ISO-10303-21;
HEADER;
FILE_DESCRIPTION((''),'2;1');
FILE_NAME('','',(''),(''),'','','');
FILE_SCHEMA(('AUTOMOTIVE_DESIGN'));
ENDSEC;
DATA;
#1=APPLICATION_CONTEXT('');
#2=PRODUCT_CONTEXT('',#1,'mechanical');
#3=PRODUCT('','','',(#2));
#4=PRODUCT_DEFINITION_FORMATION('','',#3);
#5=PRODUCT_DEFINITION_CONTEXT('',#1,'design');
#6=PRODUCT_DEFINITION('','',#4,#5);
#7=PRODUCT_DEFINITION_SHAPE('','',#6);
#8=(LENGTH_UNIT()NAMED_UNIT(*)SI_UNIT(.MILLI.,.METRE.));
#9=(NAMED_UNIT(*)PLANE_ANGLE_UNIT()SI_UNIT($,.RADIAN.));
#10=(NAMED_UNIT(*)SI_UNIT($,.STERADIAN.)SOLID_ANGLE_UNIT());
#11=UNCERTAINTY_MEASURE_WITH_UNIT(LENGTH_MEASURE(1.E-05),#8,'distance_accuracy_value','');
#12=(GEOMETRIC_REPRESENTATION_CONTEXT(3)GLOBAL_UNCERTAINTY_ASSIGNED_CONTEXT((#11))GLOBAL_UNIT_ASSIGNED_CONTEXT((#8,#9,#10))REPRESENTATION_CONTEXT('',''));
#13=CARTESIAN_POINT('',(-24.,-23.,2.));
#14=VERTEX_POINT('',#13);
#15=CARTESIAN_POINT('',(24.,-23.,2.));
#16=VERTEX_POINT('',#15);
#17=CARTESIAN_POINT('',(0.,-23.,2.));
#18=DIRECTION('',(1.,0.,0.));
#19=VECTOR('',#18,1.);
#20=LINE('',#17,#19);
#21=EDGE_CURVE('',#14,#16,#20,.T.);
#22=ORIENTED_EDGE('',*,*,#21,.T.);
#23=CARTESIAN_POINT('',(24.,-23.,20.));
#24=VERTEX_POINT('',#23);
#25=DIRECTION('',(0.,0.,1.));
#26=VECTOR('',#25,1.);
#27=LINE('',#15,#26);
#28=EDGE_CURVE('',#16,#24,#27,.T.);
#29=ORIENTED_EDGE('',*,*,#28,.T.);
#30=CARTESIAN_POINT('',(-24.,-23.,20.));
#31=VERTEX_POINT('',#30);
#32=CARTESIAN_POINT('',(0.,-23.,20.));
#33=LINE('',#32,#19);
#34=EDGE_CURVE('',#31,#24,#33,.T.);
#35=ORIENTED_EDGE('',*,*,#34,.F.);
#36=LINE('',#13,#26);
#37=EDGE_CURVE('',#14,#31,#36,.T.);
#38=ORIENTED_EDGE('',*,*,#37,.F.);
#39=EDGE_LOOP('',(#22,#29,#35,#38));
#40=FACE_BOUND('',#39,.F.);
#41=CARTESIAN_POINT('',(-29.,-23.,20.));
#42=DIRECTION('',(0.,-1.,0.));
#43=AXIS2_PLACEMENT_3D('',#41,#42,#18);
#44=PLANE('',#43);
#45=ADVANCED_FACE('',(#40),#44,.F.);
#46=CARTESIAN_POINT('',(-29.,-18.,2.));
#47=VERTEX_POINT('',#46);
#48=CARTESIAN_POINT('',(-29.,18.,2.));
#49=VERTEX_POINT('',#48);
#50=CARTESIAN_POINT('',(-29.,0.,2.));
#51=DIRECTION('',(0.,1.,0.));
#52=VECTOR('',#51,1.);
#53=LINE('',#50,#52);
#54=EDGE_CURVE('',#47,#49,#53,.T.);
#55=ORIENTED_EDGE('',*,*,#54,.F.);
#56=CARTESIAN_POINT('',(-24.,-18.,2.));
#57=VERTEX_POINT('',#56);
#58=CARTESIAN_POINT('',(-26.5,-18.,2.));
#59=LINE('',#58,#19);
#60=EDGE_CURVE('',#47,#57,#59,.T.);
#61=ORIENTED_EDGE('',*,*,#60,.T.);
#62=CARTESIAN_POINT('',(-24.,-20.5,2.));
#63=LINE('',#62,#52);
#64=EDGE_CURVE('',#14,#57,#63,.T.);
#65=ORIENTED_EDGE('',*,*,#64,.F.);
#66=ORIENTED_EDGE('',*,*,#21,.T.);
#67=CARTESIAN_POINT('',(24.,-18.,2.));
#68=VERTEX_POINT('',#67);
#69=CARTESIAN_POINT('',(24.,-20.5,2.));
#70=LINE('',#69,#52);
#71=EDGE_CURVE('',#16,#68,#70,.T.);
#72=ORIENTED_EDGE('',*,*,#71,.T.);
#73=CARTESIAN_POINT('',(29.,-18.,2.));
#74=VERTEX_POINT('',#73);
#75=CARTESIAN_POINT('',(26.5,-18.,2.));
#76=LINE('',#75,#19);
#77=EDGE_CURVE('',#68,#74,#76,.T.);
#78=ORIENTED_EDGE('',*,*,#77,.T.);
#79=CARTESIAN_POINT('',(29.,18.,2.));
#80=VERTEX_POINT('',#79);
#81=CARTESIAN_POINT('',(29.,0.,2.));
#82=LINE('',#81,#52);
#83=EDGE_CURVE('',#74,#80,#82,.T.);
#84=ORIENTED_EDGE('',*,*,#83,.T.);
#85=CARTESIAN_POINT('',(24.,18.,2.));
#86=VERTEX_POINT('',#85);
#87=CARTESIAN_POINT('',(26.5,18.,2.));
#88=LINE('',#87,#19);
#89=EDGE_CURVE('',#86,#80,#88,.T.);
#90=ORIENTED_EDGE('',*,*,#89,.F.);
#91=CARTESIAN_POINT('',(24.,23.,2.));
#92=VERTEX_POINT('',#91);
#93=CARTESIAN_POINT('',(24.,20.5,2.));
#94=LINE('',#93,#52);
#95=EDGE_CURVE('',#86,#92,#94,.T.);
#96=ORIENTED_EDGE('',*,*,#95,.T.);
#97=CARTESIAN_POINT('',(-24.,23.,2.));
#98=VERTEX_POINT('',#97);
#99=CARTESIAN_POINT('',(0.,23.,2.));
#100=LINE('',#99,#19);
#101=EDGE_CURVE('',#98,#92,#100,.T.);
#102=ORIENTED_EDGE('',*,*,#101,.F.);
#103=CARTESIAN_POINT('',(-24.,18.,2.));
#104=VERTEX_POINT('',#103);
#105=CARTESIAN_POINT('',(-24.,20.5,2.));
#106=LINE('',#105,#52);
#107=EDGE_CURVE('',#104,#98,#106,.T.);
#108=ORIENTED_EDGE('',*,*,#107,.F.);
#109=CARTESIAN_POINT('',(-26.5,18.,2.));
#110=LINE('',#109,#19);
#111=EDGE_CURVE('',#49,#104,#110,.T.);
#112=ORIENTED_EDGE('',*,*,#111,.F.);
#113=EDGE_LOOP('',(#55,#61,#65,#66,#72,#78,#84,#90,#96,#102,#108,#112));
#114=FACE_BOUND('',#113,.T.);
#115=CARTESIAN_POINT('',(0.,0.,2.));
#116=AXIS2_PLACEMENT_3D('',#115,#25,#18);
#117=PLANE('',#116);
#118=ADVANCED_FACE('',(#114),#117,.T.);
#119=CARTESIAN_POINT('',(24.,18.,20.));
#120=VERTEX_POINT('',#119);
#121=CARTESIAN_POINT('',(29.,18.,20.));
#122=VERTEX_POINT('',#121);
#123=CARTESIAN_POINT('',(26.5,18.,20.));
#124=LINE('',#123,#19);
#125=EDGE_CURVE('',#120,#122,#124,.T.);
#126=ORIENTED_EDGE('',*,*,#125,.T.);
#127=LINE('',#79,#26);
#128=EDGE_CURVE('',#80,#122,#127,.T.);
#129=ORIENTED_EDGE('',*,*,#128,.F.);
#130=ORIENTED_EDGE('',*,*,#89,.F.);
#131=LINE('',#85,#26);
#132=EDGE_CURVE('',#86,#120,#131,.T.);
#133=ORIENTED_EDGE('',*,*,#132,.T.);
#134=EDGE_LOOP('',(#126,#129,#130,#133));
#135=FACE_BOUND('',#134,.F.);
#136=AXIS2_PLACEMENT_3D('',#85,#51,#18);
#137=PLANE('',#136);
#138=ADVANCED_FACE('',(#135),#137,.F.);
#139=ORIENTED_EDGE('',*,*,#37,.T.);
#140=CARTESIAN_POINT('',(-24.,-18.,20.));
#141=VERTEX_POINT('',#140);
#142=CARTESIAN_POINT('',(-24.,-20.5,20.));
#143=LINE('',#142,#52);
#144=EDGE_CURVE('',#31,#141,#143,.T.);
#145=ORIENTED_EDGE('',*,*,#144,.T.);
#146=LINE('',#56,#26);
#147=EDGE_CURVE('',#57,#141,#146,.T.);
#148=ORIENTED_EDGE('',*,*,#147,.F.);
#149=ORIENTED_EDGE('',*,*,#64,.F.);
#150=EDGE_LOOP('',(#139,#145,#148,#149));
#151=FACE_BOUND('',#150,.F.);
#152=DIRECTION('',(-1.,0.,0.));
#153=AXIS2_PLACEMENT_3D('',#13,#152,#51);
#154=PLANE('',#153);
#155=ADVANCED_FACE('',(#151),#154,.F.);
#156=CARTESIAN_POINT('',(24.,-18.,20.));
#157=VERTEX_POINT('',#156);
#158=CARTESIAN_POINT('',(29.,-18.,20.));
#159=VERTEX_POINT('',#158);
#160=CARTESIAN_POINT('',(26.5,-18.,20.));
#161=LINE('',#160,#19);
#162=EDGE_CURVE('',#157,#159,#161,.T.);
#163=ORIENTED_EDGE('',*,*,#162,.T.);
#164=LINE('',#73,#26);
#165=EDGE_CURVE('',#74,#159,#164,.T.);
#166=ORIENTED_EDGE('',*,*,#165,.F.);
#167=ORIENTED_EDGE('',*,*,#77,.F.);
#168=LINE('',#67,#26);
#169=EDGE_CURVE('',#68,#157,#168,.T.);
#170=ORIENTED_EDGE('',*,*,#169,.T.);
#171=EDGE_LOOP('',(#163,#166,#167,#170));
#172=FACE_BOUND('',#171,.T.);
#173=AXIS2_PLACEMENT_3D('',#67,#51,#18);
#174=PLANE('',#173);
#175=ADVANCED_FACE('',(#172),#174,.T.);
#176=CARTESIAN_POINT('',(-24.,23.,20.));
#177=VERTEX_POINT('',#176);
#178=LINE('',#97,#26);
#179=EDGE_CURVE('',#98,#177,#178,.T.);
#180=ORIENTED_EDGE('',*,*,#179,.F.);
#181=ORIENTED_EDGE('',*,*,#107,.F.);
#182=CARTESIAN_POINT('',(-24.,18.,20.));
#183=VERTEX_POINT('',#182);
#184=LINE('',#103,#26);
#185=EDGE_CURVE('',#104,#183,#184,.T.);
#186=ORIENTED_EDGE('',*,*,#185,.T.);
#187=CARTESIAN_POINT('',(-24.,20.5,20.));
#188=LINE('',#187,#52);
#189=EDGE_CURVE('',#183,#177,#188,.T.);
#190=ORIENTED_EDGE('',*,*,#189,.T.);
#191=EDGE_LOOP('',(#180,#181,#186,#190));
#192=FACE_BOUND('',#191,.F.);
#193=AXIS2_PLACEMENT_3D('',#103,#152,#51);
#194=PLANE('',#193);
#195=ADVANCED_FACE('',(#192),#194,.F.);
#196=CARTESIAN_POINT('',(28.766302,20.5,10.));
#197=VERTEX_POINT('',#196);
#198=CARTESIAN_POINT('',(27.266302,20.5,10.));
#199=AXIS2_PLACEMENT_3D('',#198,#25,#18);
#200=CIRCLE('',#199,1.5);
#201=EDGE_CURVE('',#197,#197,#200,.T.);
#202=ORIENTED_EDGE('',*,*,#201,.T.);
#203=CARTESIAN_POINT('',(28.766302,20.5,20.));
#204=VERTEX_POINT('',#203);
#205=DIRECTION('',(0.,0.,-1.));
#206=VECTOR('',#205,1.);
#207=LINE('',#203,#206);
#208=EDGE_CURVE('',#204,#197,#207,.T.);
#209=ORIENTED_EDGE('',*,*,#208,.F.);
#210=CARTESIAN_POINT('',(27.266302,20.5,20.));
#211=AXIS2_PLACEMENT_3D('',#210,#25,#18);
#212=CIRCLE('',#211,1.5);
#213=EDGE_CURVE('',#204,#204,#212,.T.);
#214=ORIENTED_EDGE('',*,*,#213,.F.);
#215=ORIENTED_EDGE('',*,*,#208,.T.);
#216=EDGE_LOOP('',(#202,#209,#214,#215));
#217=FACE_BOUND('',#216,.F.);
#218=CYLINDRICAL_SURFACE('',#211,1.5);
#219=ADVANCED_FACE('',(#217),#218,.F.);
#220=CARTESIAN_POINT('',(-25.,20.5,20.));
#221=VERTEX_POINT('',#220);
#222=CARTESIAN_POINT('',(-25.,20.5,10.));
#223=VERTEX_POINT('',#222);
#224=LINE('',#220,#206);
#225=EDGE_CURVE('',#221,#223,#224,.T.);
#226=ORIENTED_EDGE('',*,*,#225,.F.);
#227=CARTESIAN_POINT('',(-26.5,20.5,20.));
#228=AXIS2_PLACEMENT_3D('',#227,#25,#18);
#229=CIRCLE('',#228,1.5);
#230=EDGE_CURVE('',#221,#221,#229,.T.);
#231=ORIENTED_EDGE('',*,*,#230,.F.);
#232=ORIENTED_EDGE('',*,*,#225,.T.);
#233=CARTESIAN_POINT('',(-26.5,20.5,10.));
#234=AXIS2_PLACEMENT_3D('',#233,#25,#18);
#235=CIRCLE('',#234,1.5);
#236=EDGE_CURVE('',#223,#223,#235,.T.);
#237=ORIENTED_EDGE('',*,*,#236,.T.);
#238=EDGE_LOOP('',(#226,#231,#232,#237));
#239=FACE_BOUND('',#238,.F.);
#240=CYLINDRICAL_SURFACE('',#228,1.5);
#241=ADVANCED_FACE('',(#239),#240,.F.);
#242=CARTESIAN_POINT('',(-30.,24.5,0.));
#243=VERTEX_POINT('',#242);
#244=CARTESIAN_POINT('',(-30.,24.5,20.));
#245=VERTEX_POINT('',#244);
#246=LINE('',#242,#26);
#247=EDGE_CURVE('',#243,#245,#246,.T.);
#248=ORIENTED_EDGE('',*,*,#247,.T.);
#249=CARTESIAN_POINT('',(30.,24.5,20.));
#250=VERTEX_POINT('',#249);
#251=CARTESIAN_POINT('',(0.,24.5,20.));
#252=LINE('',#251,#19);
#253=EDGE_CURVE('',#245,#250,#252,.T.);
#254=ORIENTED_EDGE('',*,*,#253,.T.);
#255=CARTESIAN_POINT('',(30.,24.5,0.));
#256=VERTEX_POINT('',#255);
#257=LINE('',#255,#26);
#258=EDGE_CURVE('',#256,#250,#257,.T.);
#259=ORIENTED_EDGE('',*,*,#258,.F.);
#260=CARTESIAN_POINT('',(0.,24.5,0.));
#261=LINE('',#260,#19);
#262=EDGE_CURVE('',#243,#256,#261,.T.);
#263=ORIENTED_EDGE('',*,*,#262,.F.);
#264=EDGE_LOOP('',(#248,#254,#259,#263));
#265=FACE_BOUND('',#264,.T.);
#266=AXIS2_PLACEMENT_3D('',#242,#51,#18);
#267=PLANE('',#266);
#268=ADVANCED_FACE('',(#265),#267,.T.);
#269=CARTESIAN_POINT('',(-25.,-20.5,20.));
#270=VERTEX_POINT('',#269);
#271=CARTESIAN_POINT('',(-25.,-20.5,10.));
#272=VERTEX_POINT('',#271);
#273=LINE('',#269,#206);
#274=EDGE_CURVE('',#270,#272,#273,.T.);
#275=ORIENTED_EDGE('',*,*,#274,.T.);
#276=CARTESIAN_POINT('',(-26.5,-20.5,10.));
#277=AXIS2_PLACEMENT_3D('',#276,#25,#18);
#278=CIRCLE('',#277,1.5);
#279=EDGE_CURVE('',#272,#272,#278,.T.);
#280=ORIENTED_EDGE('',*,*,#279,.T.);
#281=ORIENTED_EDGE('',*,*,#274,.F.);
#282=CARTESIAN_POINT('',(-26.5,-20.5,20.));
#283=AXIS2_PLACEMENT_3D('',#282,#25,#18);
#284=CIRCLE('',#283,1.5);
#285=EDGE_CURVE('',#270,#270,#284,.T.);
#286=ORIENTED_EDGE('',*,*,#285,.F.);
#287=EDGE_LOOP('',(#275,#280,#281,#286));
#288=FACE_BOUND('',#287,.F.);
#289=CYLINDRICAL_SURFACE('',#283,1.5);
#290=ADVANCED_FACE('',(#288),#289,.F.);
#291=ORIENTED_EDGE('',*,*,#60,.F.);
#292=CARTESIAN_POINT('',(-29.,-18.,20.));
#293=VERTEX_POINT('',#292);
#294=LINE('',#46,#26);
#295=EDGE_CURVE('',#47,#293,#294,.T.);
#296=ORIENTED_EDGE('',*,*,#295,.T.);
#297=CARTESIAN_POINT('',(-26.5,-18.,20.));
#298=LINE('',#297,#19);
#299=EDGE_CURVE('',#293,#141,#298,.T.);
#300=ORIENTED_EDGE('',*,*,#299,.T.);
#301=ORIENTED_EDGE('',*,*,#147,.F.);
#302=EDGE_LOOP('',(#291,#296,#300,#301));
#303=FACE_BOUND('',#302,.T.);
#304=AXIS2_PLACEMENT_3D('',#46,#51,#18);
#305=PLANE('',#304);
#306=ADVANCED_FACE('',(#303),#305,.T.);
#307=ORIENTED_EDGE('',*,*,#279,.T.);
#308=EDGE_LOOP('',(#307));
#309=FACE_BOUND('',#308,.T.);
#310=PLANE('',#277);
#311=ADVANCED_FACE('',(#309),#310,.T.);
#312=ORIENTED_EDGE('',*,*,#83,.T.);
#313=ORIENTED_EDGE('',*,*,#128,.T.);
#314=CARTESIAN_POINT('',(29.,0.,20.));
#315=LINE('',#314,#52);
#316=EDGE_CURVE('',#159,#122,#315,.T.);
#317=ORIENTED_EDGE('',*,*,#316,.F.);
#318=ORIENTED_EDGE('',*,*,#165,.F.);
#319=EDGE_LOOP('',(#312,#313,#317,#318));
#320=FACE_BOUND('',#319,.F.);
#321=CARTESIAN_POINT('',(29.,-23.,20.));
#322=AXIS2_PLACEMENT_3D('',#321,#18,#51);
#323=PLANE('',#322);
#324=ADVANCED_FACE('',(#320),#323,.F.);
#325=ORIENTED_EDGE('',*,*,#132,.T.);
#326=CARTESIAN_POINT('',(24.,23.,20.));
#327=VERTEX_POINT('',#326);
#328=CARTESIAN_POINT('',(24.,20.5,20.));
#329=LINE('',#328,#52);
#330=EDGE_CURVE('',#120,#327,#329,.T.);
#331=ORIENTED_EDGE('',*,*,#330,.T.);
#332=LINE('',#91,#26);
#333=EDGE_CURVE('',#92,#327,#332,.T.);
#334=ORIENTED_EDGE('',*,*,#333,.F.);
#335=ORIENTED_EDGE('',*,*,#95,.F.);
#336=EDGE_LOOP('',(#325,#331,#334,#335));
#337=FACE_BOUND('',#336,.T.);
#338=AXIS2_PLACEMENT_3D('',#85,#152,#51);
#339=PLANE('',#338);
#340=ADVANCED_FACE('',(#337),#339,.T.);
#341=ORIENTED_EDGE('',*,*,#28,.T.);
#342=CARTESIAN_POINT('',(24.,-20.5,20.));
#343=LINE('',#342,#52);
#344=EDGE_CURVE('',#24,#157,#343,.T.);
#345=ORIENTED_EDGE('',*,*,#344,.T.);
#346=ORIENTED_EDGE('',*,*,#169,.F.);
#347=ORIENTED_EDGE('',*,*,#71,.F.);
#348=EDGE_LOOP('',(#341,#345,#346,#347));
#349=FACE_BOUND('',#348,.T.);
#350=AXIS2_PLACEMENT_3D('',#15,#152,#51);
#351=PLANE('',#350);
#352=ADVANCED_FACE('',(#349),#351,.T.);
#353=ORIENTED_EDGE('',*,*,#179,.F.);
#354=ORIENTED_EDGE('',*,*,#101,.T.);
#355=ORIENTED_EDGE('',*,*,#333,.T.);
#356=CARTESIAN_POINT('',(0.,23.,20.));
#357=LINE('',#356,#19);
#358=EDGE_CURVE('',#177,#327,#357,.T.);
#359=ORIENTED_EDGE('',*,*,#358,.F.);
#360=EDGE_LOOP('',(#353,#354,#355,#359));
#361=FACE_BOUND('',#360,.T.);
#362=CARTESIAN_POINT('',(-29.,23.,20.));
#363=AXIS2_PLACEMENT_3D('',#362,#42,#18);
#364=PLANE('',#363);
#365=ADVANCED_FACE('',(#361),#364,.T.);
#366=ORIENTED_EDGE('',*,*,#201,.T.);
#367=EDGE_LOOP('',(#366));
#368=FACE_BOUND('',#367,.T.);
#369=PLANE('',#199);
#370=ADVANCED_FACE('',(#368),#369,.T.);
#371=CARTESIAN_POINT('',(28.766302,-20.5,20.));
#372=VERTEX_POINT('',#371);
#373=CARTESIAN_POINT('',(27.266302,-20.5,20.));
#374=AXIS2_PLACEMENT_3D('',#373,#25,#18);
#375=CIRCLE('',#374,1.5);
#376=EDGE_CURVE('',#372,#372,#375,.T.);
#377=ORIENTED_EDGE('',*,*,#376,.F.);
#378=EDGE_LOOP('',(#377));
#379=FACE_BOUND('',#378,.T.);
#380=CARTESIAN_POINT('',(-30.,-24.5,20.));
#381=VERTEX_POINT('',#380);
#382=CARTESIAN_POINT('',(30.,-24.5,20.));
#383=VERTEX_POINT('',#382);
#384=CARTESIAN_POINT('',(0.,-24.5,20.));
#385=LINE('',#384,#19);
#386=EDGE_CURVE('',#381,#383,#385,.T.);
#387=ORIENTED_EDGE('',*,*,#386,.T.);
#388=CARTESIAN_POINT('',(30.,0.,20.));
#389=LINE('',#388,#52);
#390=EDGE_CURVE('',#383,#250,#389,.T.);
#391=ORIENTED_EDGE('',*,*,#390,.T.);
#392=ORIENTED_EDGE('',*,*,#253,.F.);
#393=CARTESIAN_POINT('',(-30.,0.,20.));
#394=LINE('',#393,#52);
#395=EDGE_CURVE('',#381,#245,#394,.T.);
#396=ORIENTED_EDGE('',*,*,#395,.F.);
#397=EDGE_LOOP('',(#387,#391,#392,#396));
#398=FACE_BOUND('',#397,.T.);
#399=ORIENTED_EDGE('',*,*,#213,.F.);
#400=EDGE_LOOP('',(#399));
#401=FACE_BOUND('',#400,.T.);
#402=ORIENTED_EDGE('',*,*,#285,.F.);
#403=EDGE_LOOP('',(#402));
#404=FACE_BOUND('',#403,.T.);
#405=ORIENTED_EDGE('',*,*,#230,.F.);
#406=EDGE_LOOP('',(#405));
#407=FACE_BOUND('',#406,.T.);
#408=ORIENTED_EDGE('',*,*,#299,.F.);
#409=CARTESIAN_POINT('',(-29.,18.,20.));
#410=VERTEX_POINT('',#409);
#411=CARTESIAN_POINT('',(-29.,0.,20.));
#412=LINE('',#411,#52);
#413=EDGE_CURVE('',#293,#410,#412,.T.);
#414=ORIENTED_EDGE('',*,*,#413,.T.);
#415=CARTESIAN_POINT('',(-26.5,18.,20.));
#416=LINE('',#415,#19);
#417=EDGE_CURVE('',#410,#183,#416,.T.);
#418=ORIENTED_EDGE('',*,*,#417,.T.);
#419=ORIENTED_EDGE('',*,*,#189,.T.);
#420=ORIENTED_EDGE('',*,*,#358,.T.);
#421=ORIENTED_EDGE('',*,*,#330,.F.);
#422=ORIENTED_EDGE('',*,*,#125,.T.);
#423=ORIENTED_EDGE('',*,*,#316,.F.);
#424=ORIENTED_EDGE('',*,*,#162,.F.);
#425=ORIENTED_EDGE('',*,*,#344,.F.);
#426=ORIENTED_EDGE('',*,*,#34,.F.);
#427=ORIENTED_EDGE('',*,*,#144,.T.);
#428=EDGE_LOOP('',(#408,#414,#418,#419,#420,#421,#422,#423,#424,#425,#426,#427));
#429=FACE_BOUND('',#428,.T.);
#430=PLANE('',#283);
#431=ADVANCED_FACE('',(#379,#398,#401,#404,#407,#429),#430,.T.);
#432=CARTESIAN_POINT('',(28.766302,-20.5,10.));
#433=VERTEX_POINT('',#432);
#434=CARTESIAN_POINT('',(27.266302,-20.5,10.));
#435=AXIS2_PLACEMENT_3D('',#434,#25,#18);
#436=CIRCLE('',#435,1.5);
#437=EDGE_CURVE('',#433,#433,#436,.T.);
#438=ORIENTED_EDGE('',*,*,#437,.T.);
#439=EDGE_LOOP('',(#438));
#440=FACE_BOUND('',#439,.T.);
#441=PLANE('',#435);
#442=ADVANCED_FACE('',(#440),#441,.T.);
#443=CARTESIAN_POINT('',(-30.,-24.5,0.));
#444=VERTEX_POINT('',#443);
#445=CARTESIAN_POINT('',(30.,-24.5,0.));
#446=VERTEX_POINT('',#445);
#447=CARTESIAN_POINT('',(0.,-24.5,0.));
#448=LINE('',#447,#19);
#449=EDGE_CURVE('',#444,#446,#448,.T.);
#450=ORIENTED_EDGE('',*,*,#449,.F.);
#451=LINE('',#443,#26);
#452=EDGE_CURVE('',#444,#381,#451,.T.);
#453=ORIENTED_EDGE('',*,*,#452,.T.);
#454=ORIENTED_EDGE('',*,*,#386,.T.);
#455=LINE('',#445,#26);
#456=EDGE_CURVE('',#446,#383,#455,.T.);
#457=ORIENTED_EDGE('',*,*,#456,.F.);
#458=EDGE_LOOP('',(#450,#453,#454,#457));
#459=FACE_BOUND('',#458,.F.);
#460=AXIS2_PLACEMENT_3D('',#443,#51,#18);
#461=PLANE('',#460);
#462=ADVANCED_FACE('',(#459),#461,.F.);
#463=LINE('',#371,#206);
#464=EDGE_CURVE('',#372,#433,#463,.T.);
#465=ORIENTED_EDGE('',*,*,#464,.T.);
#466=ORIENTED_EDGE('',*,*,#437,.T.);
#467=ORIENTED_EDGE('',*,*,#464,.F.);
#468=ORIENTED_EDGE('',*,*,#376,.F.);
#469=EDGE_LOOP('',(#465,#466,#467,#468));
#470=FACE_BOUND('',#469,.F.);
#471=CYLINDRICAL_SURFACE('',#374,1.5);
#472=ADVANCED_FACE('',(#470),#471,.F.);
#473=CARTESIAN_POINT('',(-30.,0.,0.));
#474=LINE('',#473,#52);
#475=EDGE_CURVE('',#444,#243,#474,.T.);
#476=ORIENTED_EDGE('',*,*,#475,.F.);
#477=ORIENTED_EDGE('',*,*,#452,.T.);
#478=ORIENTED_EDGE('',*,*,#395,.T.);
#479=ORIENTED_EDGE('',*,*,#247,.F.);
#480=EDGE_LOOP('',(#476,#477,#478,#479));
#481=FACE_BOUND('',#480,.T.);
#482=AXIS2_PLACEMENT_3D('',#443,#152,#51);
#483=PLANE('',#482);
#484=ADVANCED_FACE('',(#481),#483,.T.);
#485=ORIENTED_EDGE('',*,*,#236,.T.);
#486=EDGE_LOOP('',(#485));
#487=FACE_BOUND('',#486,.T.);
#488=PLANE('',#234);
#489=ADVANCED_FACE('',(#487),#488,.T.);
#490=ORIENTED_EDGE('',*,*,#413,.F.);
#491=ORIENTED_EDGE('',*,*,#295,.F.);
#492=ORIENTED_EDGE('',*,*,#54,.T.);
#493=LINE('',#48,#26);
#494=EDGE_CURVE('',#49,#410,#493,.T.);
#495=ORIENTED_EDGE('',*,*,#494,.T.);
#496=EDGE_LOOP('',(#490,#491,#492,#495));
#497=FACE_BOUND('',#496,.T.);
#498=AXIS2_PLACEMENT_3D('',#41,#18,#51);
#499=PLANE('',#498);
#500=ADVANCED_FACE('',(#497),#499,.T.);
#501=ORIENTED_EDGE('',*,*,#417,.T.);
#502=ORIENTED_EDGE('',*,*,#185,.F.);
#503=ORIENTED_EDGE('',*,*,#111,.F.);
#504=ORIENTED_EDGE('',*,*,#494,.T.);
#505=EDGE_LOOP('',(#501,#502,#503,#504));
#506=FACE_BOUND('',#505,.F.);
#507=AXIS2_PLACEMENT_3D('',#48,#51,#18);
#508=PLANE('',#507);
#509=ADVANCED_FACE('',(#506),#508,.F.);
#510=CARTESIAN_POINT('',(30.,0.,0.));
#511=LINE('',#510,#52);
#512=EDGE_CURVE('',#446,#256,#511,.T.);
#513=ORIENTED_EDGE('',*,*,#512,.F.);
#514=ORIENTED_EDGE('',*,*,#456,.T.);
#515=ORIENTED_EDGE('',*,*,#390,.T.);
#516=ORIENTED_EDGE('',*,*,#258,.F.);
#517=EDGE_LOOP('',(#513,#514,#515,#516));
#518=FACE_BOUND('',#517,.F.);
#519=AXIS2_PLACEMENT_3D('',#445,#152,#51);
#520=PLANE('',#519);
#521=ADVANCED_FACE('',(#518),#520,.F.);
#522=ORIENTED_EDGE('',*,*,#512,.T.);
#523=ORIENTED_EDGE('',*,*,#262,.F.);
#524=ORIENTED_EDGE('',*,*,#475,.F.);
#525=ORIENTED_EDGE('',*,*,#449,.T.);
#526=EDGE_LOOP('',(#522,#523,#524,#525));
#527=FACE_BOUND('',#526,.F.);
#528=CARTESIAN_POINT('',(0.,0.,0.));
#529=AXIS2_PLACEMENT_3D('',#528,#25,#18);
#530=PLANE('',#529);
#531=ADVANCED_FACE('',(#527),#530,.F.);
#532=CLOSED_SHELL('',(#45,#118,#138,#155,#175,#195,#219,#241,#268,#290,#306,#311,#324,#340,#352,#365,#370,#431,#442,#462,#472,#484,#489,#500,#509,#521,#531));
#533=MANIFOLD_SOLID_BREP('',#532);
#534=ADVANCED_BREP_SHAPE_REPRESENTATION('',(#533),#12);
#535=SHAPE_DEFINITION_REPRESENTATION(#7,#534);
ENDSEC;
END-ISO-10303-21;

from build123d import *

# Parameters (mm, degrees)
F0_W     = 60
F0_H     = 49
F1_DEPTH = 20
F2_W     = 58
F2_H     = 46
F3_DEPTH = 18
F4_W     = 5
F4_H     = 5
F5_DEPTH = 18
F6_R     = 1.5
F7_DEPTH = 10


with BuildPart() as f1:
    # F0 (on Top) → F1 (new body)
    with BuildSketch(Plane.XY):
        Rectangle(F0_W, F0_H)
    extrude(amount=F1_DEPTH)

    # F2 (on face) → F3 (cut)
    with BuildSketch(Plane.XY.offset(20)):
        Rectangle(F2_W, F2_H)
    extrude(amount=-F3_DEPTH, mode=Mode.SUBTRACT)

    # F4 (on face) → F5 (join)
    with BuildSketch(Plane.XY.offset(2)):
        with Locations((-26.5, -20.5)):
            Rectangle(F4_W, F4_H)
        with Locations((26.5, -20.5)):
            Rectangle(F4_W, F4_H)
        with Locations((-26.5, 20.5)):
            Rectangle(F4_W, F4_H)
        with Locations((26.5, 20.5)):
            Rectangle(F4_W, F4_H)
    extrude(amount=F5_DEPTH)

    # F6 (on face) → F7 (cut)
    with BuildSketch(Plane.XY.offset(20)):
        with Locations((-26.5, -20.5)):
            Circle(F6_R)
        with Locations((-26.5, 20.5)):
            Circle(F6_R)
        with Locations((27.266302, 20.5)):
            Circle(F6_R)
        with Locations((27.266302, -20.5)):
            Circle(F6_R)
    extrude(amount=-F7_DEPTH, mode=Mode.SUBTRACT)


solid = f1.part
